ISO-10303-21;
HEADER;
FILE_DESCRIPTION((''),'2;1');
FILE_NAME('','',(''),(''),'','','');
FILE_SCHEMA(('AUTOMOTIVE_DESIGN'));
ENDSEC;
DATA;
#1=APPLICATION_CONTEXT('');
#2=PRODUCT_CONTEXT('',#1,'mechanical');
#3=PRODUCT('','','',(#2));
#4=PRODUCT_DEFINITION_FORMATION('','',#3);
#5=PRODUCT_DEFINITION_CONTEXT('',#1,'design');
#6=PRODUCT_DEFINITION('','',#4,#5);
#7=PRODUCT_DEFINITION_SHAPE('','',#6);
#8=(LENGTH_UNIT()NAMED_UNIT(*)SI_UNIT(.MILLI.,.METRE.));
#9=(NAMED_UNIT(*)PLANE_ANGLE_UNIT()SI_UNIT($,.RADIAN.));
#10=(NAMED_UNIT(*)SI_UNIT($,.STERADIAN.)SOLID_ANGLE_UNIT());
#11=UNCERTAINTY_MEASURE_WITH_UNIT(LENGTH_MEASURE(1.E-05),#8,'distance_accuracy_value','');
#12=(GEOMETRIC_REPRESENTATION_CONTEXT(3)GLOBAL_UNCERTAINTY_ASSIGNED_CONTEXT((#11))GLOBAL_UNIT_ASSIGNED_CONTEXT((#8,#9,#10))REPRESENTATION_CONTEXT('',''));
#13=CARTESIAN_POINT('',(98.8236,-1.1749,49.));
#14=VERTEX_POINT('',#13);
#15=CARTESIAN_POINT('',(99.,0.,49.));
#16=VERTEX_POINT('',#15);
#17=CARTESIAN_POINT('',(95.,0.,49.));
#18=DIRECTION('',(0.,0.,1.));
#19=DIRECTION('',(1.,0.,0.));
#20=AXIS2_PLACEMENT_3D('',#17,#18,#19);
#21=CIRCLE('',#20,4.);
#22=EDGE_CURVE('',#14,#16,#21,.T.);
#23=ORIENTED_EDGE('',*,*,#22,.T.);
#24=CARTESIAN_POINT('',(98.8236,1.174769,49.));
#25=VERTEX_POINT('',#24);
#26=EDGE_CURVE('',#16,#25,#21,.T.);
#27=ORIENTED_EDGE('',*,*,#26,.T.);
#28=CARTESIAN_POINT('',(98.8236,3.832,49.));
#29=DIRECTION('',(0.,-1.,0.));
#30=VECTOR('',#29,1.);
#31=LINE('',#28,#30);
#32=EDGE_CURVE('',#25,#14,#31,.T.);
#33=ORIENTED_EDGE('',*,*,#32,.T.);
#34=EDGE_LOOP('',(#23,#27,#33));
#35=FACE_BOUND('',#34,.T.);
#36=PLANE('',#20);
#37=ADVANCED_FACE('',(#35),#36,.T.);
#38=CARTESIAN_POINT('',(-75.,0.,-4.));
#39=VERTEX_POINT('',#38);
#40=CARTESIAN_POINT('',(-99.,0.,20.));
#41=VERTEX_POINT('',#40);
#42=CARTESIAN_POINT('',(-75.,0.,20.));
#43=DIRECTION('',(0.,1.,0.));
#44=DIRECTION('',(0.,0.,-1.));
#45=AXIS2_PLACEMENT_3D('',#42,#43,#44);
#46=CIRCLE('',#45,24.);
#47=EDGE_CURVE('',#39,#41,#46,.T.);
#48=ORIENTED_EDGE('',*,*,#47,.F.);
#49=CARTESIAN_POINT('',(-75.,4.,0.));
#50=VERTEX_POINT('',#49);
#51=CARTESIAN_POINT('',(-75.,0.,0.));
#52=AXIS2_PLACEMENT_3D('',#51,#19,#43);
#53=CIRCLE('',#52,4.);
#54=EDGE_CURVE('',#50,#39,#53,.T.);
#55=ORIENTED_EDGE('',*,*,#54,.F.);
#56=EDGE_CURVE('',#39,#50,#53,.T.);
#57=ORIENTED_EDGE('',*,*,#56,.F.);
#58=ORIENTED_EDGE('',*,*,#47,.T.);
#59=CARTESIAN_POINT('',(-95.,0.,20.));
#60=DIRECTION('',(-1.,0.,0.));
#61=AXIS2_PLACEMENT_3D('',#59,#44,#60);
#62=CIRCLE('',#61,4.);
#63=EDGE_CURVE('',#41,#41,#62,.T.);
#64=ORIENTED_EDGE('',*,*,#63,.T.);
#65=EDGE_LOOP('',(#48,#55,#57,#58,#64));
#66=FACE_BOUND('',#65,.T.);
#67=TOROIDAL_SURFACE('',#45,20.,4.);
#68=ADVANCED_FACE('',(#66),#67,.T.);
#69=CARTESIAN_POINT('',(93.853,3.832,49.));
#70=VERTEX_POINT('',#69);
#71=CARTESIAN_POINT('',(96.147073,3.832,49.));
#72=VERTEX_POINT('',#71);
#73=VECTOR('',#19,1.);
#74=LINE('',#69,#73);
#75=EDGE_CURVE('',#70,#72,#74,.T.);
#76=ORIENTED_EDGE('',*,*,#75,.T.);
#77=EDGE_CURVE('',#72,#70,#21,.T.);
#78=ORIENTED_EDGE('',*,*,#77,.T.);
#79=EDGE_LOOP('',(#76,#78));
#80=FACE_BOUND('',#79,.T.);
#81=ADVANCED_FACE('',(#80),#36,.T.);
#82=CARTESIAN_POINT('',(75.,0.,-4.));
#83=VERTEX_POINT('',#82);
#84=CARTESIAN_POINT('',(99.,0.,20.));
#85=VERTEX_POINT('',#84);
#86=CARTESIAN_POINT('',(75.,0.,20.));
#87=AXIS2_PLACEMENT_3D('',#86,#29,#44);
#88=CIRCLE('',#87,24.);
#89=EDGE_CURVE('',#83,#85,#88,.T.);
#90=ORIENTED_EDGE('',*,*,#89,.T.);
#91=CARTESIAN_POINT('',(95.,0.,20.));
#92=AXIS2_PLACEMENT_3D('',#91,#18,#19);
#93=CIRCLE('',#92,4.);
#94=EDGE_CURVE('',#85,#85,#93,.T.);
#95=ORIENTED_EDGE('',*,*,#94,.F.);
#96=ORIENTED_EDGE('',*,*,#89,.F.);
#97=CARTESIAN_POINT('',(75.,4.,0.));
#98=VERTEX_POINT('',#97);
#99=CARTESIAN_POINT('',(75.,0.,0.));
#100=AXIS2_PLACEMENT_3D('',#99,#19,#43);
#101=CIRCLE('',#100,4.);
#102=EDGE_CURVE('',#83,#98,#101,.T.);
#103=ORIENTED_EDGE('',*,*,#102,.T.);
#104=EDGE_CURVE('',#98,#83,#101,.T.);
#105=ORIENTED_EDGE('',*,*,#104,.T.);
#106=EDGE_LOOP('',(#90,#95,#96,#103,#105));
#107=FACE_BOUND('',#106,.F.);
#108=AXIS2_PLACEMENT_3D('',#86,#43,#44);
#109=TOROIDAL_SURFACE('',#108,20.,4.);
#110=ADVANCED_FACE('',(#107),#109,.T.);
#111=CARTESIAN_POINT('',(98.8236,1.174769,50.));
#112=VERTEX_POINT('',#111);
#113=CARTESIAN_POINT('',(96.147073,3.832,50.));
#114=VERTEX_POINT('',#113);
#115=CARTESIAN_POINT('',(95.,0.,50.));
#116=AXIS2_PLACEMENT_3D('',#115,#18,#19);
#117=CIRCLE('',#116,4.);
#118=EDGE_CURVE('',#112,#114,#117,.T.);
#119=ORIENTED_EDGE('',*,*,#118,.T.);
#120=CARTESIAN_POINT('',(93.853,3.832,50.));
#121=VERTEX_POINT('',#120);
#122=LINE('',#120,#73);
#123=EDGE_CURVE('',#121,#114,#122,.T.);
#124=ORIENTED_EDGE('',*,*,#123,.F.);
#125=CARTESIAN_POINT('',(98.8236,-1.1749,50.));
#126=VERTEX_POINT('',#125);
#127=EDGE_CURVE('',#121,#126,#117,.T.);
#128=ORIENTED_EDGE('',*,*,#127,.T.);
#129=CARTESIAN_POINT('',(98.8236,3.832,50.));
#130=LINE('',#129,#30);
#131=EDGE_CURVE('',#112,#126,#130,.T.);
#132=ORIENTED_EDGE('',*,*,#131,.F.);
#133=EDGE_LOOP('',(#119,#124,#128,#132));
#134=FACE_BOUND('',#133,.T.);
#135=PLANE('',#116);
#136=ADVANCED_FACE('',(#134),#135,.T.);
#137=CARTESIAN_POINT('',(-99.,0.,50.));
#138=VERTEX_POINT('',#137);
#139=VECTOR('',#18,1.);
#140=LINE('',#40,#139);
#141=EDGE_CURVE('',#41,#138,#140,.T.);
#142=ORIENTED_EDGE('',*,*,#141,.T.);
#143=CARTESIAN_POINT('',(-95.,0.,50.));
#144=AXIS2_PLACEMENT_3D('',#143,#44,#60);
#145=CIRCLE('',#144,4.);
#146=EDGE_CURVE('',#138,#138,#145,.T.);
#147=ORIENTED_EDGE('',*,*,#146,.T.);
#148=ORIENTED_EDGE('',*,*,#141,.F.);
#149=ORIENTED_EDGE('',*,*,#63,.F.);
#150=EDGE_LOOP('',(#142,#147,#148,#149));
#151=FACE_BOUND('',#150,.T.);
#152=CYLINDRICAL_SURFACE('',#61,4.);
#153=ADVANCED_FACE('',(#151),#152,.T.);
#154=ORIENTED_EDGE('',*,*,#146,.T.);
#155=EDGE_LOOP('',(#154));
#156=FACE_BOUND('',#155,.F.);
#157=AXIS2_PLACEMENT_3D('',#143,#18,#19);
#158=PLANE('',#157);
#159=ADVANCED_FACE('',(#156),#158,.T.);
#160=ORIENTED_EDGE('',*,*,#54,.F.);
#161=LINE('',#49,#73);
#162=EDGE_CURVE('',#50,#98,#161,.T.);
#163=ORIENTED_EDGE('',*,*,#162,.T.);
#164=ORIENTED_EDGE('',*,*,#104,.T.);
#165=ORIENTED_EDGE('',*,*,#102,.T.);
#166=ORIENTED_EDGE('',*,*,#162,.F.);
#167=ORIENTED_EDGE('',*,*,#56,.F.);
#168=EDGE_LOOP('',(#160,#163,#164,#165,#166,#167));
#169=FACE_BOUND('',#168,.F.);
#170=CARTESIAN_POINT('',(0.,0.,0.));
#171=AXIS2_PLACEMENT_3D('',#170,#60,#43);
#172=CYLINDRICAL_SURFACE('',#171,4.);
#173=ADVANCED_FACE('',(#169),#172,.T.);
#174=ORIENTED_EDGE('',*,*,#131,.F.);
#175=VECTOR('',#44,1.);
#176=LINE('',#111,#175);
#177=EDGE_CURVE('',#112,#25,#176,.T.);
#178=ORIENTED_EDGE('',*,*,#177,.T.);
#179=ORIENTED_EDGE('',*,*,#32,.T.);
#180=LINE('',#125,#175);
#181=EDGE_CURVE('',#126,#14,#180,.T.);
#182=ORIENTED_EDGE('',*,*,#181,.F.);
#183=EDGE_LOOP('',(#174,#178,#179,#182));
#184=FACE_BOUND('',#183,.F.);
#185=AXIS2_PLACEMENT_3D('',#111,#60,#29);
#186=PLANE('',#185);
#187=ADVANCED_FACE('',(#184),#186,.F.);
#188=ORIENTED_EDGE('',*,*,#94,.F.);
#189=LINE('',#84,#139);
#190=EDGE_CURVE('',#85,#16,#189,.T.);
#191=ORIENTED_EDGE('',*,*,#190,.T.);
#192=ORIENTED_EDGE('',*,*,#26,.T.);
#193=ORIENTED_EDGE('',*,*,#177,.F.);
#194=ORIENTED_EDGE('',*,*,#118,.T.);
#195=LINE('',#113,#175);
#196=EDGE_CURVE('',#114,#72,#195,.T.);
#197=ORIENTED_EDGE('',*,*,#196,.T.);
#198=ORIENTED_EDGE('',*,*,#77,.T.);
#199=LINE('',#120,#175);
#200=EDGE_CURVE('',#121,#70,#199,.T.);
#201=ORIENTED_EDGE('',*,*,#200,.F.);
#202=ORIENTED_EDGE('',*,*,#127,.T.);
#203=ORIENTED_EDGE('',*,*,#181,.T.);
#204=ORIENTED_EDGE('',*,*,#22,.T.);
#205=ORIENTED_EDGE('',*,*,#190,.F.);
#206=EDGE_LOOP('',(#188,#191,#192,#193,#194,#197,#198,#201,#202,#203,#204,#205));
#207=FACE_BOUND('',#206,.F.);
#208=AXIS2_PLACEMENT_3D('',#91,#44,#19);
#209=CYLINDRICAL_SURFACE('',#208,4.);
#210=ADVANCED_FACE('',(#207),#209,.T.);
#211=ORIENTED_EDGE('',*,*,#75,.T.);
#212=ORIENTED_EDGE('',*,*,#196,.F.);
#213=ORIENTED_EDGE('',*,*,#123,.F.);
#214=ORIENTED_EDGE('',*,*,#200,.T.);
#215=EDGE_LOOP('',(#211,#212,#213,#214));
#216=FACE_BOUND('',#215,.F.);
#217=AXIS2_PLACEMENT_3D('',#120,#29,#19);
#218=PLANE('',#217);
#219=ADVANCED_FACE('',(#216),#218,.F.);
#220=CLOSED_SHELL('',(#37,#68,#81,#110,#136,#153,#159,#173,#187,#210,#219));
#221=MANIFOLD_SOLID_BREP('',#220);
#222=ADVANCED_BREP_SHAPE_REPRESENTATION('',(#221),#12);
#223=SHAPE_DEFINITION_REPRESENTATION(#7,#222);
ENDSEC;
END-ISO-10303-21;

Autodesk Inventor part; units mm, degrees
ref_plane "YZ Plane" through (0, 0, 0) normal (1, 0, 0) x (0, 1, 0)
ref_plane "XZ Plane" through (0, 0, 0) normal (0, 1, 0) x (-1, 0, 0)
ref_plane "XY Plane" through (0, 0, 0) normal (0, 0, 1) x (1, 0, 0)
sketch "Sketch1" plane through (0, 0, 0) normal (1, 0, 0) x (0, 1, 0)
  circle A0 centre (0, 0) radius 4
  dimension "d0" = 8
extrude "Extrusion1" add sketch "Sketch1" along normal mid plane 150
sketch "Sketch4" plane through (75, 0, 0) normal (1, 0, 0) x (0, 0, -1)
  circle A0 centre (0, 0) radius 4
  line L0 (-20, 15.4363) -> (-20, -7.2727)
  circle A1 centre (0, 0) radius 4 projected
  dimension "d10" = 20
  dimension "d11" = 0
revolve "Revolution1" add sketch "Sketch4" angle 90 about axis through (75, 15.4363, 20) along (0, -1, 0)
mirror "Mirror1" about plane through (0, 0, 0) normal (1, 0, 0) of "Revolution1"
sketch "Sketch5" plane through (95, 0, 20) normal (0, 0, 1) x (1, 0, 0)
  circle A0 centre (0, 0) radius 4 projected
  point P0 (-95, 0)
extrude "Extrusion3" add sketch "Sketch5" along normal blind 30
mirror "Mirror2" about plane through (0, 0, 0) normal (1, 0, 0) of "Extrusion3"
sketch "Sketch6" plane through (95, 0, 50) normal (0, 0, 1) x (1, 0, 0)
  circle A0 centre (0, 0) radius 4 projected
  line L0 (-1.147, 3.832) -> (3.8236, 3.832)
  line L1 (3.8236, 3.832) -> (3.8236, -1.1749)
  line L2 (3.8236, -1.1749) -> (-1.147, -1.1749)
  line L3 (-1.147, -1.1749) -> (-1.147, 3.832)
  circle A1 centre (0, 0) radius 4 projected
  point P0 (-95, 0)
  point P1 (3.8236, 1.1749)
  point P2 (1.147, 3.832)
extrude "Extrusion4" cut sketch "Sketch6" against normal blind 1 contours A0 L0 | L1 A0
properties part number "Handle"
